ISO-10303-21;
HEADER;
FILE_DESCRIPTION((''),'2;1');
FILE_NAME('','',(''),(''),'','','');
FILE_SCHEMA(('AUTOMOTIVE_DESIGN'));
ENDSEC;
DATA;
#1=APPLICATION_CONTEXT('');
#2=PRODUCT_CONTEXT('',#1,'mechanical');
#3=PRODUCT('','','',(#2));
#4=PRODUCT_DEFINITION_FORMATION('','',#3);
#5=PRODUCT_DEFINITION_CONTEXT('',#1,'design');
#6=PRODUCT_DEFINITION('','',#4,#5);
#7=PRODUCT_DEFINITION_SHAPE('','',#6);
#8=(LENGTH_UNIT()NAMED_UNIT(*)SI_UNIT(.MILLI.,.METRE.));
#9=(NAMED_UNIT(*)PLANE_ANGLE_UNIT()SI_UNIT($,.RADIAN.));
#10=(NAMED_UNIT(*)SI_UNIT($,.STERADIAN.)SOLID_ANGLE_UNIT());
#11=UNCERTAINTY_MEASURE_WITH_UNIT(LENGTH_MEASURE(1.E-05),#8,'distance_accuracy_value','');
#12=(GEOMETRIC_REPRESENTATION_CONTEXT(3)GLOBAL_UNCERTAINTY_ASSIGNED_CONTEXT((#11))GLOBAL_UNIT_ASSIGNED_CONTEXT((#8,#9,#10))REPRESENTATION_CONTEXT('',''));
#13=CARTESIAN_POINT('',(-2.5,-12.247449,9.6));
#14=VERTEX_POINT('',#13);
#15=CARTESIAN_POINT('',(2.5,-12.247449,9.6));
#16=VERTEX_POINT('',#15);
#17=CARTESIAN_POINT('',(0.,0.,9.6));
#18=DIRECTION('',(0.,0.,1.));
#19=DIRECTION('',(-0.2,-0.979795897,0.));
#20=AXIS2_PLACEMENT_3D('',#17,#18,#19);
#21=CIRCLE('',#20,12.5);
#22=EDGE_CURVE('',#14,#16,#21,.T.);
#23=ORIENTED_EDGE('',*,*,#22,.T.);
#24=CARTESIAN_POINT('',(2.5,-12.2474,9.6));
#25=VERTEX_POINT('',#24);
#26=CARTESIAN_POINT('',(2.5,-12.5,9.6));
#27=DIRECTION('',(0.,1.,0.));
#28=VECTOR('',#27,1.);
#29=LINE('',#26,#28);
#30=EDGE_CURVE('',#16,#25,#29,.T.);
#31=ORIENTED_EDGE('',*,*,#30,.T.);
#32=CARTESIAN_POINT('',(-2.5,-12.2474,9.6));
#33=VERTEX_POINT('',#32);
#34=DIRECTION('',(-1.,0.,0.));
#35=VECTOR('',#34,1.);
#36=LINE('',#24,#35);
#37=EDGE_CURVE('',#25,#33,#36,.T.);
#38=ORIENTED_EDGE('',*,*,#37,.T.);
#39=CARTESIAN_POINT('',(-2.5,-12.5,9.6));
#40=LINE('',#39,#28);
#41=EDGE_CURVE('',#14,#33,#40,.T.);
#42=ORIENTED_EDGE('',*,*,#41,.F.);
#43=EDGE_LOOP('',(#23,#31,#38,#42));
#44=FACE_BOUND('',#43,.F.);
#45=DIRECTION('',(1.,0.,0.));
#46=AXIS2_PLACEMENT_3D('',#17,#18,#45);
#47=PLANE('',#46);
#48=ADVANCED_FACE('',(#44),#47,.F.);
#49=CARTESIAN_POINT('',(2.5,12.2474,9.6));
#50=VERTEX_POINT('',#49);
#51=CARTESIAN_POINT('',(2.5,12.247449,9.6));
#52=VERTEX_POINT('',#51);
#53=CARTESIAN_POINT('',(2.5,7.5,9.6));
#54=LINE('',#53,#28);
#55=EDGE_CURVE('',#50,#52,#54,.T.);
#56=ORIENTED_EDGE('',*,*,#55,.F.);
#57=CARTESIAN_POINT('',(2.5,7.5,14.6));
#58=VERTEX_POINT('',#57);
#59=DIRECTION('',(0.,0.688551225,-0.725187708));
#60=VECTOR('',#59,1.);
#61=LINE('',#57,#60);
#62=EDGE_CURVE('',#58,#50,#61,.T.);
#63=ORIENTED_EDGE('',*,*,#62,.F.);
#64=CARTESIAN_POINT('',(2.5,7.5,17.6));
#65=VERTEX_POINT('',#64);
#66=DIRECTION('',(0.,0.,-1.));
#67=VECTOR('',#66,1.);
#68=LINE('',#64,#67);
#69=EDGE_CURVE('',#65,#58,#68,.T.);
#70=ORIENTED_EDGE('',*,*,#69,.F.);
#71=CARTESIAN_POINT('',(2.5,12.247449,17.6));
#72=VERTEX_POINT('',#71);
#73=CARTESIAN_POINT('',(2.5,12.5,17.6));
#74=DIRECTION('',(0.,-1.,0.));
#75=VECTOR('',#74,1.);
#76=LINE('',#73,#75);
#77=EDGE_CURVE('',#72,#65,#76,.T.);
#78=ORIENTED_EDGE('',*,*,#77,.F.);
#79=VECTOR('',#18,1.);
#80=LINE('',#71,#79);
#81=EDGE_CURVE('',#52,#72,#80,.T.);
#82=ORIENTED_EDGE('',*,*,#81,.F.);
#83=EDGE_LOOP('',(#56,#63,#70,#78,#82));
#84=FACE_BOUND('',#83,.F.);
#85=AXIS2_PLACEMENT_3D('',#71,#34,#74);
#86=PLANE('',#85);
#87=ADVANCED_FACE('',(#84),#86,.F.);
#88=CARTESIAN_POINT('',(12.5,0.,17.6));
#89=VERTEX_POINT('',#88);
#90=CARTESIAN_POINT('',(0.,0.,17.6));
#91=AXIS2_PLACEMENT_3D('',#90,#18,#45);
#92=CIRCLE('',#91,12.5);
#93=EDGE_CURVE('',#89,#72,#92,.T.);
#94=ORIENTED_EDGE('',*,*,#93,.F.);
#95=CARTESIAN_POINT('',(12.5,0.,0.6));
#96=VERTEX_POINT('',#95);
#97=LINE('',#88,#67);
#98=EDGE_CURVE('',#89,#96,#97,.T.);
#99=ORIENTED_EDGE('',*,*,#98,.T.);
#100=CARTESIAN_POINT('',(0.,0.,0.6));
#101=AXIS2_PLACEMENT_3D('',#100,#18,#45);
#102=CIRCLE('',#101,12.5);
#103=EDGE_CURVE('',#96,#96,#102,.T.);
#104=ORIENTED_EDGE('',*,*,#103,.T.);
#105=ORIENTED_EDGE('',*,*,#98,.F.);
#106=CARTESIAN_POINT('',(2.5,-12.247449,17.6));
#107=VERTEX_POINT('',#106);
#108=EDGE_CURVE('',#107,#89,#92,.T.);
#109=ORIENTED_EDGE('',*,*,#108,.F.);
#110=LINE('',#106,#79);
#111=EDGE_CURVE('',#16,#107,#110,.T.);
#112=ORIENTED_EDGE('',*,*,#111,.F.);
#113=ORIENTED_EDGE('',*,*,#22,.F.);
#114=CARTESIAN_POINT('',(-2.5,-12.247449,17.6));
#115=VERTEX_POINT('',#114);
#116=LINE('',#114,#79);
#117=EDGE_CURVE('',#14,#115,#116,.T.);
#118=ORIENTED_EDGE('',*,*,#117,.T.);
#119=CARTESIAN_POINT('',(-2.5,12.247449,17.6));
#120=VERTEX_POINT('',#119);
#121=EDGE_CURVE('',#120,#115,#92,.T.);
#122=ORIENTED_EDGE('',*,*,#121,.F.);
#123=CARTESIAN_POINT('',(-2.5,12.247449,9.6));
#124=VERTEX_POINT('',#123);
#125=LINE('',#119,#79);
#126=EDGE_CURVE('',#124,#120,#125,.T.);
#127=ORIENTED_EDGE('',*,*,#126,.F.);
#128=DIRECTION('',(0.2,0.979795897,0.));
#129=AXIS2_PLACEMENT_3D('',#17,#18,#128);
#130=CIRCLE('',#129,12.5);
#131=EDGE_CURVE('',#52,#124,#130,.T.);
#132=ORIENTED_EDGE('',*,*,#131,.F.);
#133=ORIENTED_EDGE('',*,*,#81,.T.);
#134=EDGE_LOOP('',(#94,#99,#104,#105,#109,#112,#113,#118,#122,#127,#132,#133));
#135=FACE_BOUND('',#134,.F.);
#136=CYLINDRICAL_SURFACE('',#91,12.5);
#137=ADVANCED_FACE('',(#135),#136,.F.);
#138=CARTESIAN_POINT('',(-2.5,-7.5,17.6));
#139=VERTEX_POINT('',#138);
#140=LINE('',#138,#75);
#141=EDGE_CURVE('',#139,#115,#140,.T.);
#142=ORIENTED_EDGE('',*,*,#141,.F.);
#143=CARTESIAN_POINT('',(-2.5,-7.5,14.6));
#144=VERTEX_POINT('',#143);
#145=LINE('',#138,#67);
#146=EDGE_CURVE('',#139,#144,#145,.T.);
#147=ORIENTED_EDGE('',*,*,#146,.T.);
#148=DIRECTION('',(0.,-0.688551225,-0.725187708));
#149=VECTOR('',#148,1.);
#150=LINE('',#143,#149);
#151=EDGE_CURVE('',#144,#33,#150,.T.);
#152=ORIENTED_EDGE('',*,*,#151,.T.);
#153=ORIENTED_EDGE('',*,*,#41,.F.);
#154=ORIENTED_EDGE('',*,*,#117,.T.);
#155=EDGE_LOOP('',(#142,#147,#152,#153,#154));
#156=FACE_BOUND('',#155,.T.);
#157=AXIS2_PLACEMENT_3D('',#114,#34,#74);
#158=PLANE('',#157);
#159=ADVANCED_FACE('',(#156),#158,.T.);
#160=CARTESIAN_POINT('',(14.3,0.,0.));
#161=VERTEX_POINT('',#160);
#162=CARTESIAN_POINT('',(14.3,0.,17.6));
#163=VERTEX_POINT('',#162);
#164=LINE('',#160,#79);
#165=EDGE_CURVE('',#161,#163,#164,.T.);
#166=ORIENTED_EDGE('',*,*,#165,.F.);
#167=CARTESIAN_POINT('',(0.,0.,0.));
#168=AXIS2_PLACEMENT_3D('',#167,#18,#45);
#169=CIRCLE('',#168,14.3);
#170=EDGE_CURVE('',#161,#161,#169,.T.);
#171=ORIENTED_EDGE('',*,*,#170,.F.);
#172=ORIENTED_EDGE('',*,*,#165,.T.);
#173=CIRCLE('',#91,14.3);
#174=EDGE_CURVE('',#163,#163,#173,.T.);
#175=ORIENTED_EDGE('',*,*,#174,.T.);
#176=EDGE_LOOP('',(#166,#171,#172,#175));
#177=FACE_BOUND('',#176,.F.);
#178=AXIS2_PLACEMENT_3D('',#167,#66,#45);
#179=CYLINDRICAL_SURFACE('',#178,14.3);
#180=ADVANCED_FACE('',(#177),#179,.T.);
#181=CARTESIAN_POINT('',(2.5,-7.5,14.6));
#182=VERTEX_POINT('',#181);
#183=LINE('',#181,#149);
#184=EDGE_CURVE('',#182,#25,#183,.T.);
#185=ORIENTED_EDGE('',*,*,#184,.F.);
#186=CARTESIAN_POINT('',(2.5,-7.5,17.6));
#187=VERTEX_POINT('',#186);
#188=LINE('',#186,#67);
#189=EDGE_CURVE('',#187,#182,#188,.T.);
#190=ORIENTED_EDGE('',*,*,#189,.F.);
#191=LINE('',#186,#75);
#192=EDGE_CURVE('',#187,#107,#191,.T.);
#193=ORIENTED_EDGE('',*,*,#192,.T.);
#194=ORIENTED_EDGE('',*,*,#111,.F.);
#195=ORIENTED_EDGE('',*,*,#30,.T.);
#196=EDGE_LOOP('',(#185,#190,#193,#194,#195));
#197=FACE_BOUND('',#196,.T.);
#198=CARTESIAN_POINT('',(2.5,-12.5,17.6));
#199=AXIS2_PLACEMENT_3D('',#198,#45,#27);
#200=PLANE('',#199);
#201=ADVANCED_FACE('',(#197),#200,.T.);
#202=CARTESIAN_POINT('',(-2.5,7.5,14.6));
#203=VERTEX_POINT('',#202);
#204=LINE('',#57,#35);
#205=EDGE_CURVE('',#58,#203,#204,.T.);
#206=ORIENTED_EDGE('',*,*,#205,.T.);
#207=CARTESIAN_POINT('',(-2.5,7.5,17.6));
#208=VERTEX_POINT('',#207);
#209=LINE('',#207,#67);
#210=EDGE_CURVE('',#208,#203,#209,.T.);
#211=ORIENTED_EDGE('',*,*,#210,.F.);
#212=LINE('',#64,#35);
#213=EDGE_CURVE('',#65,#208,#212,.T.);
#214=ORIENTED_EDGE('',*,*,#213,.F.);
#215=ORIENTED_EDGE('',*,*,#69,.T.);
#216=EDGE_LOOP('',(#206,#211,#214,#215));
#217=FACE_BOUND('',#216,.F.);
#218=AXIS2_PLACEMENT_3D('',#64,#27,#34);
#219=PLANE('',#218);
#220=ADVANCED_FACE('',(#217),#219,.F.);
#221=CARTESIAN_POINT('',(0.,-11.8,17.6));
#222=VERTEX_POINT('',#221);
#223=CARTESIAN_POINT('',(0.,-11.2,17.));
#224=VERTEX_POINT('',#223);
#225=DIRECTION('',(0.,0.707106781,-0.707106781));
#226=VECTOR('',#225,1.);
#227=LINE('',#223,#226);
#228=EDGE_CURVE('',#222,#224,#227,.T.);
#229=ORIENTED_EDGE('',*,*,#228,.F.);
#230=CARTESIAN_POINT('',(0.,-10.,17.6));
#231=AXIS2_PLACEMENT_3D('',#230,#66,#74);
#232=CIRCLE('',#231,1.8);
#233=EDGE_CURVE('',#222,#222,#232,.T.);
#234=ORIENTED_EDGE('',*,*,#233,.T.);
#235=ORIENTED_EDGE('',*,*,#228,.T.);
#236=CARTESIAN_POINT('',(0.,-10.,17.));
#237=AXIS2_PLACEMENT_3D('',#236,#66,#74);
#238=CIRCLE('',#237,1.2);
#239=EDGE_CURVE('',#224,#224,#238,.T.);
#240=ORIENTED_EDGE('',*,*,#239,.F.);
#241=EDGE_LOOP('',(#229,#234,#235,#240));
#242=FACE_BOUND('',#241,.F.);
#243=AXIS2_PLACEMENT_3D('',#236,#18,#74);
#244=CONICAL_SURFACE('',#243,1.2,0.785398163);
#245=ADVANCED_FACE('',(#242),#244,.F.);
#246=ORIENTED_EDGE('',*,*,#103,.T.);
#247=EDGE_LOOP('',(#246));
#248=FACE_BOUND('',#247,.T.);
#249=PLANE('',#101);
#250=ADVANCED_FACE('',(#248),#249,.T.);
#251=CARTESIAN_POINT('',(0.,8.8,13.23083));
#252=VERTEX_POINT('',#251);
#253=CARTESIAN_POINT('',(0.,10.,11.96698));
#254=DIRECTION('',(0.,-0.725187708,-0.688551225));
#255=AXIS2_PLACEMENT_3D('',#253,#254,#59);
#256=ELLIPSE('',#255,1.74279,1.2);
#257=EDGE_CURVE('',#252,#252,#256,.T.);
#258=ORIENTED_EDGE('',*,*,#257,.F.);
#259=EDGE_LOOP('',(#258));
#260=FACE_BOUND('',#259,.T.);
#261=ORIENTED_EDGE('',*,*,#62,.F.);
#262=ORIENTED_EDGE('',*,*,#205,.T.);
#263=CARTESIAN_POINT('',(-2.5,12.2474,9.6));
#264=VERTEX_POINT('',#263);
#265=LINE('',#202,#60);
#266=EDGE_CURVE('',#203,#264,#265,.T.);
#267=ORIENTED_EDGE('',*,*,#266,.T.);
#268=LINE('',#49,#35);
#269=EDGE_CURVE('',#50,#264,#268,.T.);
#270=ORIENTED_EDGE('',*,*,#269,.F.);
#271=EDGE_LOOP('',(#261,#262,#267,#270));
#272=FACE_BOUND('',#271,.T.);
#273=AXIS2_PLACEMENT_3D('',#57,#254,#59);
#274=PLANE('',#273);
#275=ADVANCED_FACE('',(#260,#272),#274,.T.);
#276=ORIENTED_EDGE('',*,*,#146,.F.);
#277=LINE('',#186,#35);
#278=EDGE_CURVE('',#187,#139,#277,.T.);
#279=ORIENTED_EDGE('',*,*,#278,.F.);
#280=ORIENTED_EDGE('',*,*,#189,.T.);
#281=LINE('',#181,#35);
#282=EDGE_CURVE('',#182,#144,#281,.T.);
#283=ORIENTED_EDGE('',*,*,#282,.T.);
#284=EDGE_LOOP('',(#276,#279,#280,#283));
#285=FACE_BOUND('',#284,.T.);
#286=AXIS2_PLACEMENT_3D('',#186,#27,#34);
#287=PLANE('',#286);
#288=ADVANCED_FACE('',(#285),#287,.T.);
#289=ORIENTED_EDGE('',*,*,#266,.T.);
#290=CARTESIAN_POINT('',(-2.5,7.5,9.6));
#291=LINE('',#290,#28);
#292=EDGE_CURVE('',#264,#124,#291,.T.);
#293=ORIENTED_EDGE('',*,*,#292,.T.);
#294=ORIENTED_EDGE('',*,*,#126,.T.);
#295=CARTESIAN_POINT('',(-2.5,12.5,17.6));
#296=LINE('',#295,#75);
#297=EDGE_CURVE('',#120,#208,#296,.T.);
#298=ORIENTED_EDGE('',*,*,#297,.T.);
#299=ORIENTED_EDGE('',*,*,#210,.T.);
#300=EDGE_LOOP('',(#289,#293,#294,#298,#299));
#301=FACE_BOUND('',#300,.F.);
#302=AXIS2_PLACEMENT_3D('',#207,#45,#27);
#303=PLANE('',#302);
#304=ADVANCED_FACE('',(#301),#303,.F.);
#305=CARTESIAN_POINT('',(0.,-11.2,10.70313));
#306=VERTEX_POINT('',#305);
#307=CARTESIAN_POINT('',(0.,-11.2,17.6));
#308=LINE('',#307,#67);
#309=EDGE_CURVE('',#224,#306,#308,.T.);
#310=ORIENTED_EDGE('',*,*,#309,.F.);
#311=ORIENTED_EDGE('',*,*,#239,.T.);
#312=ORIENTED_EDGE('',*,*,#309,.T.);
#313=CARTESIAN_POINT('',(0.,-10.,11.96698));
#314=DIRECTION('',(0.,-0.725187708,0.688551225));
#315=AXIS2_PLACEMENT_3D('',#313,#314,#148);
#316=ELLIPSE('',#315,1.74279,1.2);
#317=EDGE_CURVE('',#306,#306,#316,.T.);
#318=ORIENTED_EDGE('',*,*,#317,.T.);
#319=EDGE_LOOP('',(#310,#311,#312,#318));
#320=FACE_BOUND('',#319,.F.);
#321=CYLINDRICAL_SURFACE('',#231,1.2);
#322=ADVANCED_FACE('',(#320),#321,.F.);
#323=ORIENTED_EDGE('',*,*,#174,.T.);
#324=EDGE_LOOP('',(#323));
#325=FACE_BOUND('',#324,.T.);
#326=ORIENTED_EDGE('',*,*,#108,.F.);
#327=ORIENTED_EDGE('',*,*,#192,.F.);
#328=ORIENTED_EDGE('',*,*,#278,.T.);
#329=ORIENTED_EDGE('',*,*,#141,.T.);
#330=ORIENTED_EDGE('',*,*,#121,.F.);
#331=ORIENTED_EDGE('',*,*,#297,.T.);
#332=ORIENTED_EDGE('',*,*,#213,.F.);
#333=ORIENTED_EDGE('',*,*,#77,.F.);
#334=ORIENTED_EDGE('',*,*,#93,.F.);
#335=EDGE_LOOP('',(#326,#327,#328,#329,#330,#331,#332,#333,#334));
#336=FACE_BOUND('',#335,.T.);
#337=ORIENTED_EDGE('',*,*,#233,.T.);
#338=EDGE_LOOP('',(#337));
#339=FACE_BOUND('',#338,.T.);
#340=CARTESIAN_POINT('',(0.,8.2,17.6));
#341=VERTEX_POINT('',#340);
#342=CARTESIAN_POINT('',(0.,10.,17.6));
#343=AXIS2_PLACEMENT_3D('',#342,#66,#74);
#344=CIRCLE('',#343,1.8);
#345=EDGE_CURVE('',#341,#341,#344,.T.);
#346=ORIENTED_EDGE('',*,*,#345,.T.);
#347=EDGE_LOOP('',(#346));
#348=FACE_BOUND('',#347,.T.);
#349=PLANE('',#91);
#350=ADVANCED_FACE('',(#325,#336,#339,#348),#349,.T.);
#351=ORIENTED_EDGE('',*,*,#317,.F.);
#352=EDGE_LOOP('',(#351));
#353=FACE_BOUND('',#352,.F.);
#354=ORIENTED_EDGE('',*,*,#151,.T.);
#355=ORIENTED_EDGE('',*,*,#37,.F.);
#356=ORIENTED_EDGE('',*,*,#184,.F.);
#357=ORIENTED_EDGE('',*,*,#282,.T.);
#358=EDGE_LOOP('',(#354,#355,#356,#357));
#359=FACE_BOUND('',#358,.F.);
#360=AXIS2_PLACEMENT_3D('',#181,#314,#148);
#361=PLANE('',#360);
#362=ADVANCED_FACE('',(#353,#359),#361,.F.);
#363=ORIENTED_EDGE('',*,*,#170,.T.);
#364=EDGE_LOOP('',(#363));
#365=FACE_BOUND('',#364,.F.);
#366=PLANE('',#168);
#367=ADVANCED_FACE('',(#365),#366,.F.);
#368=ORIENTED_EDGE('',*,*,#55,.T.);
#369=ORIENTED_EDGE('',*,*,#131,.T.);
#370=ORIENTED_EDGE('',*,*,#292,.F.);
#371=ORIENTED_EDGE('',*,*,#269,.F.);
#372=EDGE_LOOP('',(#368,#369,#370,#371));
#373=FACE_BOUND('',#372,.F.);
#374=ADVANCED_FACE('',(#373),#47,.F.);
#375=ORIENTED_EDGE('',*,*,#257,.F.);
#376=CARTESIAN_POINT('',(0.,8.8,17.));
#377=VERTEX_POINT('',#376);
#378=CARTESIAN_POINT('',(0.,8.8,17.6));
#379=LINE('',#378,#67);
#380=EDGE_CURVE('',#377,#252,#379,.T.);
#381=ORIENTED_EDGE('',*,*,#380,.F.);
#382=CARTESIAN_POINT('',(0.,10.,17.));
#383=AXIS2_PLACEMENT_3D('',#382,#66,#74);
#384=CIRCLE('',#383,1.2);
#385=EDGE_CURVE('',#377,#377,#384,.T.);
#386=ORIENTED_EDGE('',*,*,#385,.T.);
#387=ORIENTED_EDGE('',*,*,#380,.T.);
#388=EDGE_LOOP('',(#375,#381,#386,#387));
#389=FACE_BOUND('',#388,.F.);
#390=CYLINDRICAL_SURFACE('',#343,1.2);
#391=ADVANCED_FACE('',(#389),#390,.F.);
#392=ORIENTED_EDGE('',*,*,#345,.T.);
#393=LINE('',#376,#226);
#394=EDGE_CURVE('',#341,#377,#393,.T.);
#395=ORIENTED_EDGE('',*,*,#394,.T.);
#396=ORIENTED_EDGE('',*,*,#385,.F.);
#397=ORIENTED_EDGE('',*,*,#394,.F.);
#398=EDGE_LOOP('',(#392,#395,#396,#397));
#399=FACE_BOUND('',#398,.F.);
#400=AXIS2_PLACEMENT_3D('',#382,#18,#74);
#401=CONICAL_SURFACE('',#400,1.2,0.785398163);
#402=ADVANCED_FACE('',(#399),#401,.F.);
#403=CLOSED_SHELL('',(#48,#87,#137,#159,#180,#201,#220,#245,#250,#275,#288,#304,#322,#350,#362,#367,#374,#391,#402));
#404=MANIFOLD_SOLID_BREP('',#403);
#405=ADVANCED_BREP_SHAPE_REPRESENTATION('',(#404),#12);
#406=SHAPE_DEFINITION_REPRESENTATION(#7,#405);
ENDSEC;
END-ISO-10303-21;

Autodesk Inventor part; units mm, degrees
ref_plane "YZ Plane" through (0, 0, 0) normal (1, 0, 0) x (0, 1, 0)
ref_plane "XZ Plane" through (0, 0, 0) normal (0, 1, 0) x (-1, 0, 0)
ref_plane "XY Plane" through (0, 0, 0) normal (0, 0, 1) x (1, 0, 0)
sketch "Sketch10" plane through (0, 0, 0) normal (0, 0, 1) x (1, 0, 0)
  circle A0 centre (0, 0) radius 14.3
  dimension "d33" = 28.6
extrude "Extrusion6" add sketch "Sketch10" along normal blind 17.6
sketch "Sketch11" plane through (0, 0, 17.6) normal (0, 0, 1) x (1, 0, 0)
  circle A0 centre (0, 0) radius 12.5
  circle A1 centre (0, 0) radius 14.3 projected
  dimension "d36" = 1.8
extrude "Extrusion7" cut sketch "Sketch11" against normal blind 17 contours A0
sketch "Sketch12" plane through (0, 0, 17.6) normal (0, 0, 1) x (1, 0, 0)
  circle A0 centre (0, 0) radius 12.5 projected
  line L0 (2.5, 7.5) -> (-2.5, 7.5)
  line L1 (-2.5, 7.5) -> (-2.5, 12.5)
  line L2 (-2.5, 12.5) -> (2.5, 12.5)
  line L3 (2.5, 12.5) -> (2.5, 7.5)
  line L4 (2.5, -7.5) -> (-2.5, -7.5)
  line L5 (-2.5, -7.5) -> (-2.5, -12.5)
  line L6 (-2.5, -12.5) -> (2.5, -12.5)
  line L7 (2.5, -12.5) -> (2.5, -7.5)
  dimension "d41" = 5
  dimension "d42" = 5
  dimension "d43" = 5
  dimension "d46" = 5
  dimension "d47" = 5
  dimension "d48" = 5
extrude "Extrusion8" add sketch "Sketch12" against normal blind 8 contours L3 L0 L1 A0 | A0 L2 L3 | L7 L6 A0 | A0 L5 L4 L7 | A0 L1 L2 | L6 L5 A0
sketch "Sketch18" plane through (2.5, 7.5, 17.6) normal (1, 0, 0) x (0, 0, -1)
  line L0 (0, 4.7474) -> (0, 0) projected
  line L1 (0, 0) -> (3, 0)
  line L2 (0, 0) -> (8, 0) projected
  line L3 (8, 5) -> (8, 4.7474) projected
  line L4 (3, 0) -> (8, 4.7474)
  line L5 (8, 4.7474) -> (8, 0)
  line L6 (8, 0) -> (3, 0)
  line L7 (0, -15) -> (8, -15) projected
  line L8 (0, -15) -> (3, -15)
  line L9 (0, -19.7474) -> (8, -19.7474) projected
  line L10 (3, -15) -> (8, -19.7474)
  line L11 (8, -19.7474) -> (8, -15)
  line L12 (8, -15) -> (3, -15)
  point P0 (17.6, -7.5)
  dimension "d56" = 3
  dimension "d57" = 3
extrude "Extrusion9" cut sketch "Sketch18" against normal blind 5
sketch "Sketch19" plane through (0, 0, 17.6) normal (0, 0, 1) x (1, 0, 0)
  line L0 (2.5, 7.5) -> (-2.5, 7.5) projected
  arc A0 (2.5, 12.2474) -> (-2.5, 12.2474) centre (0, 0) ccw projected
  line L1 (-2.5, 7.5) -> (-2.5, 12.2474) projected
  line L2 (2.5, -7.5) -> (-2.5, -7.5) projected
  line L3 (-2.5, -7.5) -> (-2.5, -12.2474) projected
  point P0 (0, 10)
  point P1 (0, -10)
  dimension "d60" = 2.5
  dimension "d61" = 2.5
  dimension "d63" = 2.5
  dimension "d64" = 2.5
hole "Hole2" at (0, 10, 17.6) at (0, -10, 17.6) direction (0, 0, -1) diameter 2.4 depth 10 tip angle 118
chamfer "Chamfer2" distance 0.6 angle 45 2 edges at (0, -8.8, 17.6) (0, 11.2, 17.6)
properties part number "Clock Dot"
